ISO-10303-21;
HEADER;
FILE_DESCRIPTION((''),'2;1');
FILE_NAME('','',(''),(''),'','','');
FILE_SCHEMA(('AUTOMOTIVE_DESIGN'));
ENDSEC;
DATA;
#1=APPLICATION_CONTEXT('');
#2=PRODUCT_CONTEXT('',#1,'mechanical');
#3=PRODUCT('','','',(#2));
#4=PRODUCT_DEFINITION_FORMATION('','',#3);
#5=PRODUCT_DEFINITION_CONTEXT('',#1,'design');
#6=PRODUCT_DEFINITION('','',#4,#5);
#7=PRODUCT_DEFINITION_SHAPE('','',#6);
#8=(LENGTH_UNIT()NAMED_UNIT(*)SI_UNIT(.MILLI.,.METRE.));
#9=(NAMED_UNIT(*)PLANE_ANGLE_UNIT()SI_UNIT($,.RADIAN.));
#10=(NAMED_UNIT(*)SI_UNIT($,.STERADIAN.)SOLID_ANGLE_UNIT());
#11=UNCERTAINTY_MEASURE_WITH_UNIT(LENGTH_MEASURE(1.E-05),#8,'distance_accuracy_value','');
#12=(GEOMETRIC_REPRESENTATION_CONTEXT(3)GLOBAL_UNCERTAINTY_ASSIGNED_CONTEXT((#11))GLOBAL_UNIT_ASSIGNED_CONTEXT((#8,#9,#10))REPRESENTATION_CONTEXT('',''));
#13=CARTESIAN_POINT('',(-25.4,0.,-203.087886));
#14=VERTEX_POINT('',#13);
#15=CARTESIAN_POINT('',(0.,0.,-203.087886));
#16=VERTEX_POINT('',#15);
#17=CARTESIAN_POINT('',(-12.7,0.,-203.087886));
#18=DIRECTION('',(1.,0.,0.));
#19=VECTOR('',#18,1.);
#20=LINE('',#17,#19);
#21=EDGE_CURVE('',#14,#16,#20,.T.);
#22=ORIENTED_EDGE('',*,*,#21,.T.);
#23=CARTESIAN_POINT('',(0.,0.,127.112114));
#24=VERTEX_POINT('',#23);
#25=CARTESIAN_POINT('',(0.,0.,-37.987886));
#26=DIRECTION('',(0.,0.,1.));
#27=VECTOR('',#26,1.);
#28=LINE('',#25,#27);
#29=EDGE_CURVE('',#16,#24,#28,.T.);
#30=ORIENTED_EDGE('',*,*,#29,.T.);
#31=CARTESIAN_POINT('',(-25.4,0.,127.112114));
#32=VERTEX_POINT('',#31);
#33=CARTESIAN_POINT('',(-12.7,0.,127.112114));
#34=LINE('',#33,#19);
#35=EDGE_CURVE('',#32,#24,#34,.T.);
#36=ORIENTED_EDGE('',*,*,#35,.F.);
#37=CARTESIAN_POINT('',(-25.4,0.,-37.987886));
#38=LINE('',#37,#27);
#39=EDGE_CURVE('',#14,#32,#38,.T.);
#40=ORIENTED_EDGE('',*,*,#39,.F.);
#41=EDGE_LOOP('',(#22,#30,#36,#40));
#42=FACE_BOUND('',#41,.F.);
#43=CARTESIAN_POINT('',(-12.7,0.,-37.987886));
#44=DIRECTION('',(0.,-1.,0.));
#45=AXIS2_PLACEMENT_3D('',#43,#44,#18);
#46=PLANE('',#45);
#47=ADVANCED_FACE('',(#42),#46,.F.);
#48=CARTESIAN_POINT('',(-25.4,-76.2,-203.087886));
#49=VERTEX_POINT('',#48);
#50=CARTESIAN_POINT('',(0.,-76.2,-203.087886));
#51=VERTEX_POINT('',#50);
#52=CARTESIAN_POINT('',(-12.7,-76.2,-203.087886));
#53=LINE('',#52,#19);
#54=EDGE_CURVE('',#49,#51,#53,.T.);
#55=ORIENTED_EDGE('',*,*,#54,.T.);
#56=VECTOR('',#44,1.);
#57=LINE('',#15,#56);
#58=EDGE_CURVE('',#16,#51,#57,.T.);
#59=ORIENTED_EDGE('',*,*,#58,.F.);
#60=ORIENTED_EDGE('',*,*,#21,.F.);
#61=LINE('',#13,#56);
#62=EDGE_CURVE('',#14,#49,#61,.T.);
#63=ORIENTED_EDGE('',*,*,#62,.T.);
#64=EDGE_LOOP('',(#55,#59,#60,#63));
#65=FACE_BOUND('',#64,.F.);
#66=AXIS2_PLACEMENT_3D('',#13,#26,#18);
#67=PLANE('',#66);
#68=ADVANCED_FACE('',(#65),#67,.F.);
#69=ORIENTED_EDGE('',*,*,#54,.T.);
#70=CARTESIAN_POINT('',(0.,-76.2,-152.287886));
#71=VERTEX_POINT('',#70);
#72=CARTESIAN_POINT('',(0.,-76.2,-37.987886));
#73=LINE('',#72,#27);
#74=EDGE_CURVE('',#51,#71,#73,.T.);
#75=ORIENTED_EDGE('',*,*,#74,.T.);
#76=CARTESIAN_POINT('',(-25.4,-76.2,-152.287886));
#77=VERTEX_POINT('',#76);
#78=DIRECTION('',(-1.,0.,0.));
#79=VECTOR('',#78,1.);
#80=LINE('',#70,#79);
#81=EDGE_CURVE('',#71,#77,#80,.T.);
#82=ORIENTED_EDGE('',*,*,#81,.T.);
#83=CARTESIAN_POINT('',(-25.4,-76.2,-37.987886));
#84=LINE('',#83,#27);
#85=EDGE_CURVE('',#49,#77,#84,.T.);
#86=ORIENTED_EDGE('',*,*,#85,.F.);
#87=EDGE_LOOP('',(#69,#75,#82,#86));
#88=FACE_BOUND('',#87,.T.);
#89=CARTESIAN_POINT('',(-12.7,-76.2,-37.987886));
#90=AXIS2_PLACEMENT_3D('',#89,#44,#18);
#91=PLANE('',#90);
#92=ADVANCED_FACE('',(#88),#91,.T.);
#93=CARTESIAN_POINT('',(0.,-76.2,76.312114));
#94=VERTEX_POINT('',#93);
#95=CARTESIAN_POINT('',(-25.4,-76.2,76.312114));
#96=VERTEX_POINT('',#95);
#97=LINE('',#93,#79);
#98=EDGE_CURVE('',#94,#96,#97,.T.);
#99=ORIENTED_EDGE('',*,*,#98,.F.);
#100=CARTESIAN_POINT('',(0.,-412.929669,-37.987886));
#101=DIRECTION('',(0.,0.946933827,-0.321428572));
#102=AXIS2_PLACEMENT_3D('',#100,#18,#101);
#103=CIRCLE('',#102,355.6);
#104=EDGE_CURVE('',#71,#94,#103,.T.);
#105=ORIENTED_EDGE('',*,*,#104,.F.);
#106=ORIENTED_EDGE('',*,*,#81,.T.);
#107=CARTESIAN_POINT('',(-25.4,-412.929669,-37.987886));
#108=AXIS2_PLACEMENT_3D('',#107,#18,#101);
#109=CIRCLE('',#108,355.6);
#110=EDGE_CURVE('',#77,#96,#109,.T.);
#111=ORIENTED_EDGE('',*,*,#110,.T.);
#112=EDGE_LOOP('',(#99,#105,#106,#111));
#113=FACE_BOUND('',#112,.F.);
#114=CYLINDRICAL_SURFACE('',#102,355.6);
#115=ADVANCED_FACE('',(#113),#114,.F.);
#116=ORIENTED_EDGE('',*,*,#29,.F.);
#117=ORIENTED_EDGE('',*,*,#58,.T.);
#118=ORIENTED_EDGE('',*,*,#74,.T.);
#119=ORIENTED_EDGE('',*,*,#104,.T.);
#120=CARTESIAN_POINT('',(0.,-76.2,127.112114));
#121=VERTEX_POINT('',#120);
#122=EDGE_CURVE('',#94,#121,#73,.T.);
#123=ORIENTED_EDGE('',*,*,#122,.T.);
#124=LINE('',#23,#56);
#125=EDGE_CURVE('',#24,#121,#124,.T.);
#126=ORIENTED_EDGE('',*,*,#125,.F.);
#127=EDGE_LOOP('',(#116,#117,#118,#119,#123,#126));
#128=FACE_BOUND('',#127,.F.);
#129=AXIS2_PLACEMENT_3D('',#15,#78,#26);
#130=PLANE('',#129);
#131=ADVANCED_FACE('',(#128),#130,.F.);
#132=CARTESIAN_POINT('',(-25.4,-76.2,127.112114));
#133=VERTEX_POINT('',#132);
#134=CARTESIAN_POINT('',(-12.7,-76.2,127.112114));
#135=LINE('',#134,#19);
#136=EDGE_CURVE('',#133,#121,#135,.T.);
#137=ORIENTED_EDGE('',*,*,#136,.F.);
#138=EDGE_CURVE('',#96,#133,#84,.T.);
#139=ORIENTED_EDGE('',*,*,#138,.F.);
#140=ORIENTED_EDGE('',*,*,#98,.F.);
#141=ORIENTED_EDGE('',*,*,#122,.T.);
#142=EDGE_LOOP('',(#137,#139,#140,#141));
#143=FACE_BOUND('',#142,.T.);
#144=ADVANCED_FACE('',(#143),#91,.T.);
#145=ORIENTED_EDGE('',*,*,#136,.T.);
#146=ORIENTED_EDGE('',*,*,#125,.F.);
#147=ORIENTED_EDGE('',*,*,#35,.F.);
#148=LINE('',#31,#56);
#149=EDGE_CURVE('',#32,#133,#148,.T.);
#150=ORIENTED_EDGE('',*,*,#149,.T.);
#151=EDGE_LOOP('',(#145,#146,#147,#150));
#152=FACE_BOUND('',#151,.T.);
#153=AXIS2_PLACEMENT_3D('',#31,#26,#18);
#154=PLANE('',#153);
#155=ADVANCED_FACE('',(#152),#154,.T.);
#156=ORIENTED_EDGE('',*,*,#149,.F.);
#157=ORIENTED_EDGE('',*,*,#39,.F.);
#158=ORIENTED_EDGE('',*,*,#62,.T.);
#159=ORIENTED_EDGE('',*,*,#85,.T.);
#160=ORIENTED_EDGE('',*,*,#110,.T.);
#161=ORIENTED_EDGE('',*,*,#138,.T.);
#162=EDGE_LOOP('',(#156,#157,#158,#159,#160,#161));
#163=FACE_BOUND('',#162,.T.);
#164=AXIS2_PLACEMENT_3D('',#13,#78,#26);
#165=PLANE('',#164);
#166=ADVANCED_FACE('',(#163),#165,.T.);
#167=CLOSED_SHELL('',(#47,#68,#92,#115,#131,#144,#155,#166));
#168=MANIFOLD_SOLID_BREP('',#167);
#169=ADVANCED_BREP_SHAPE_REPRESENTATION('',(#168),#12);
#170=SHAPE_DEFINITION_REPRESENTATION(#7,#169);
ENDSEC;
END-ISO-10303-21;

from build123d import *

# Parameters (mm, degrees)
F0_W     = 25.4
F0_H     = 330.2
F1_DEPTH = 76.2
F3_DEPTH = 635


with BuildPart() as f1:
    # F0 (on Front) → F1 (new body)
    with BuildSketch(Plane.XZ):
        with Locations((-12.7, -37.987886)):
            Rectangle(F0_W, F0_H)
    extrude(amount=F1_DEPTH)

    # F2 (on face) → F3 (cut)
    with BuildSketch(Plane.YZ):
        with BuildLine():
            Line((-76.2, 76.312114), (-76.2, -152.287886))
            ThreePointArc((-76.2, -152.287886), (-57.329669, -37.987886), (-76.2, 76.312114))
        make_face()
    extrude(amount=-F3_DEPTH, mode=Mode.SUBTRACT)


solid = f1.part
